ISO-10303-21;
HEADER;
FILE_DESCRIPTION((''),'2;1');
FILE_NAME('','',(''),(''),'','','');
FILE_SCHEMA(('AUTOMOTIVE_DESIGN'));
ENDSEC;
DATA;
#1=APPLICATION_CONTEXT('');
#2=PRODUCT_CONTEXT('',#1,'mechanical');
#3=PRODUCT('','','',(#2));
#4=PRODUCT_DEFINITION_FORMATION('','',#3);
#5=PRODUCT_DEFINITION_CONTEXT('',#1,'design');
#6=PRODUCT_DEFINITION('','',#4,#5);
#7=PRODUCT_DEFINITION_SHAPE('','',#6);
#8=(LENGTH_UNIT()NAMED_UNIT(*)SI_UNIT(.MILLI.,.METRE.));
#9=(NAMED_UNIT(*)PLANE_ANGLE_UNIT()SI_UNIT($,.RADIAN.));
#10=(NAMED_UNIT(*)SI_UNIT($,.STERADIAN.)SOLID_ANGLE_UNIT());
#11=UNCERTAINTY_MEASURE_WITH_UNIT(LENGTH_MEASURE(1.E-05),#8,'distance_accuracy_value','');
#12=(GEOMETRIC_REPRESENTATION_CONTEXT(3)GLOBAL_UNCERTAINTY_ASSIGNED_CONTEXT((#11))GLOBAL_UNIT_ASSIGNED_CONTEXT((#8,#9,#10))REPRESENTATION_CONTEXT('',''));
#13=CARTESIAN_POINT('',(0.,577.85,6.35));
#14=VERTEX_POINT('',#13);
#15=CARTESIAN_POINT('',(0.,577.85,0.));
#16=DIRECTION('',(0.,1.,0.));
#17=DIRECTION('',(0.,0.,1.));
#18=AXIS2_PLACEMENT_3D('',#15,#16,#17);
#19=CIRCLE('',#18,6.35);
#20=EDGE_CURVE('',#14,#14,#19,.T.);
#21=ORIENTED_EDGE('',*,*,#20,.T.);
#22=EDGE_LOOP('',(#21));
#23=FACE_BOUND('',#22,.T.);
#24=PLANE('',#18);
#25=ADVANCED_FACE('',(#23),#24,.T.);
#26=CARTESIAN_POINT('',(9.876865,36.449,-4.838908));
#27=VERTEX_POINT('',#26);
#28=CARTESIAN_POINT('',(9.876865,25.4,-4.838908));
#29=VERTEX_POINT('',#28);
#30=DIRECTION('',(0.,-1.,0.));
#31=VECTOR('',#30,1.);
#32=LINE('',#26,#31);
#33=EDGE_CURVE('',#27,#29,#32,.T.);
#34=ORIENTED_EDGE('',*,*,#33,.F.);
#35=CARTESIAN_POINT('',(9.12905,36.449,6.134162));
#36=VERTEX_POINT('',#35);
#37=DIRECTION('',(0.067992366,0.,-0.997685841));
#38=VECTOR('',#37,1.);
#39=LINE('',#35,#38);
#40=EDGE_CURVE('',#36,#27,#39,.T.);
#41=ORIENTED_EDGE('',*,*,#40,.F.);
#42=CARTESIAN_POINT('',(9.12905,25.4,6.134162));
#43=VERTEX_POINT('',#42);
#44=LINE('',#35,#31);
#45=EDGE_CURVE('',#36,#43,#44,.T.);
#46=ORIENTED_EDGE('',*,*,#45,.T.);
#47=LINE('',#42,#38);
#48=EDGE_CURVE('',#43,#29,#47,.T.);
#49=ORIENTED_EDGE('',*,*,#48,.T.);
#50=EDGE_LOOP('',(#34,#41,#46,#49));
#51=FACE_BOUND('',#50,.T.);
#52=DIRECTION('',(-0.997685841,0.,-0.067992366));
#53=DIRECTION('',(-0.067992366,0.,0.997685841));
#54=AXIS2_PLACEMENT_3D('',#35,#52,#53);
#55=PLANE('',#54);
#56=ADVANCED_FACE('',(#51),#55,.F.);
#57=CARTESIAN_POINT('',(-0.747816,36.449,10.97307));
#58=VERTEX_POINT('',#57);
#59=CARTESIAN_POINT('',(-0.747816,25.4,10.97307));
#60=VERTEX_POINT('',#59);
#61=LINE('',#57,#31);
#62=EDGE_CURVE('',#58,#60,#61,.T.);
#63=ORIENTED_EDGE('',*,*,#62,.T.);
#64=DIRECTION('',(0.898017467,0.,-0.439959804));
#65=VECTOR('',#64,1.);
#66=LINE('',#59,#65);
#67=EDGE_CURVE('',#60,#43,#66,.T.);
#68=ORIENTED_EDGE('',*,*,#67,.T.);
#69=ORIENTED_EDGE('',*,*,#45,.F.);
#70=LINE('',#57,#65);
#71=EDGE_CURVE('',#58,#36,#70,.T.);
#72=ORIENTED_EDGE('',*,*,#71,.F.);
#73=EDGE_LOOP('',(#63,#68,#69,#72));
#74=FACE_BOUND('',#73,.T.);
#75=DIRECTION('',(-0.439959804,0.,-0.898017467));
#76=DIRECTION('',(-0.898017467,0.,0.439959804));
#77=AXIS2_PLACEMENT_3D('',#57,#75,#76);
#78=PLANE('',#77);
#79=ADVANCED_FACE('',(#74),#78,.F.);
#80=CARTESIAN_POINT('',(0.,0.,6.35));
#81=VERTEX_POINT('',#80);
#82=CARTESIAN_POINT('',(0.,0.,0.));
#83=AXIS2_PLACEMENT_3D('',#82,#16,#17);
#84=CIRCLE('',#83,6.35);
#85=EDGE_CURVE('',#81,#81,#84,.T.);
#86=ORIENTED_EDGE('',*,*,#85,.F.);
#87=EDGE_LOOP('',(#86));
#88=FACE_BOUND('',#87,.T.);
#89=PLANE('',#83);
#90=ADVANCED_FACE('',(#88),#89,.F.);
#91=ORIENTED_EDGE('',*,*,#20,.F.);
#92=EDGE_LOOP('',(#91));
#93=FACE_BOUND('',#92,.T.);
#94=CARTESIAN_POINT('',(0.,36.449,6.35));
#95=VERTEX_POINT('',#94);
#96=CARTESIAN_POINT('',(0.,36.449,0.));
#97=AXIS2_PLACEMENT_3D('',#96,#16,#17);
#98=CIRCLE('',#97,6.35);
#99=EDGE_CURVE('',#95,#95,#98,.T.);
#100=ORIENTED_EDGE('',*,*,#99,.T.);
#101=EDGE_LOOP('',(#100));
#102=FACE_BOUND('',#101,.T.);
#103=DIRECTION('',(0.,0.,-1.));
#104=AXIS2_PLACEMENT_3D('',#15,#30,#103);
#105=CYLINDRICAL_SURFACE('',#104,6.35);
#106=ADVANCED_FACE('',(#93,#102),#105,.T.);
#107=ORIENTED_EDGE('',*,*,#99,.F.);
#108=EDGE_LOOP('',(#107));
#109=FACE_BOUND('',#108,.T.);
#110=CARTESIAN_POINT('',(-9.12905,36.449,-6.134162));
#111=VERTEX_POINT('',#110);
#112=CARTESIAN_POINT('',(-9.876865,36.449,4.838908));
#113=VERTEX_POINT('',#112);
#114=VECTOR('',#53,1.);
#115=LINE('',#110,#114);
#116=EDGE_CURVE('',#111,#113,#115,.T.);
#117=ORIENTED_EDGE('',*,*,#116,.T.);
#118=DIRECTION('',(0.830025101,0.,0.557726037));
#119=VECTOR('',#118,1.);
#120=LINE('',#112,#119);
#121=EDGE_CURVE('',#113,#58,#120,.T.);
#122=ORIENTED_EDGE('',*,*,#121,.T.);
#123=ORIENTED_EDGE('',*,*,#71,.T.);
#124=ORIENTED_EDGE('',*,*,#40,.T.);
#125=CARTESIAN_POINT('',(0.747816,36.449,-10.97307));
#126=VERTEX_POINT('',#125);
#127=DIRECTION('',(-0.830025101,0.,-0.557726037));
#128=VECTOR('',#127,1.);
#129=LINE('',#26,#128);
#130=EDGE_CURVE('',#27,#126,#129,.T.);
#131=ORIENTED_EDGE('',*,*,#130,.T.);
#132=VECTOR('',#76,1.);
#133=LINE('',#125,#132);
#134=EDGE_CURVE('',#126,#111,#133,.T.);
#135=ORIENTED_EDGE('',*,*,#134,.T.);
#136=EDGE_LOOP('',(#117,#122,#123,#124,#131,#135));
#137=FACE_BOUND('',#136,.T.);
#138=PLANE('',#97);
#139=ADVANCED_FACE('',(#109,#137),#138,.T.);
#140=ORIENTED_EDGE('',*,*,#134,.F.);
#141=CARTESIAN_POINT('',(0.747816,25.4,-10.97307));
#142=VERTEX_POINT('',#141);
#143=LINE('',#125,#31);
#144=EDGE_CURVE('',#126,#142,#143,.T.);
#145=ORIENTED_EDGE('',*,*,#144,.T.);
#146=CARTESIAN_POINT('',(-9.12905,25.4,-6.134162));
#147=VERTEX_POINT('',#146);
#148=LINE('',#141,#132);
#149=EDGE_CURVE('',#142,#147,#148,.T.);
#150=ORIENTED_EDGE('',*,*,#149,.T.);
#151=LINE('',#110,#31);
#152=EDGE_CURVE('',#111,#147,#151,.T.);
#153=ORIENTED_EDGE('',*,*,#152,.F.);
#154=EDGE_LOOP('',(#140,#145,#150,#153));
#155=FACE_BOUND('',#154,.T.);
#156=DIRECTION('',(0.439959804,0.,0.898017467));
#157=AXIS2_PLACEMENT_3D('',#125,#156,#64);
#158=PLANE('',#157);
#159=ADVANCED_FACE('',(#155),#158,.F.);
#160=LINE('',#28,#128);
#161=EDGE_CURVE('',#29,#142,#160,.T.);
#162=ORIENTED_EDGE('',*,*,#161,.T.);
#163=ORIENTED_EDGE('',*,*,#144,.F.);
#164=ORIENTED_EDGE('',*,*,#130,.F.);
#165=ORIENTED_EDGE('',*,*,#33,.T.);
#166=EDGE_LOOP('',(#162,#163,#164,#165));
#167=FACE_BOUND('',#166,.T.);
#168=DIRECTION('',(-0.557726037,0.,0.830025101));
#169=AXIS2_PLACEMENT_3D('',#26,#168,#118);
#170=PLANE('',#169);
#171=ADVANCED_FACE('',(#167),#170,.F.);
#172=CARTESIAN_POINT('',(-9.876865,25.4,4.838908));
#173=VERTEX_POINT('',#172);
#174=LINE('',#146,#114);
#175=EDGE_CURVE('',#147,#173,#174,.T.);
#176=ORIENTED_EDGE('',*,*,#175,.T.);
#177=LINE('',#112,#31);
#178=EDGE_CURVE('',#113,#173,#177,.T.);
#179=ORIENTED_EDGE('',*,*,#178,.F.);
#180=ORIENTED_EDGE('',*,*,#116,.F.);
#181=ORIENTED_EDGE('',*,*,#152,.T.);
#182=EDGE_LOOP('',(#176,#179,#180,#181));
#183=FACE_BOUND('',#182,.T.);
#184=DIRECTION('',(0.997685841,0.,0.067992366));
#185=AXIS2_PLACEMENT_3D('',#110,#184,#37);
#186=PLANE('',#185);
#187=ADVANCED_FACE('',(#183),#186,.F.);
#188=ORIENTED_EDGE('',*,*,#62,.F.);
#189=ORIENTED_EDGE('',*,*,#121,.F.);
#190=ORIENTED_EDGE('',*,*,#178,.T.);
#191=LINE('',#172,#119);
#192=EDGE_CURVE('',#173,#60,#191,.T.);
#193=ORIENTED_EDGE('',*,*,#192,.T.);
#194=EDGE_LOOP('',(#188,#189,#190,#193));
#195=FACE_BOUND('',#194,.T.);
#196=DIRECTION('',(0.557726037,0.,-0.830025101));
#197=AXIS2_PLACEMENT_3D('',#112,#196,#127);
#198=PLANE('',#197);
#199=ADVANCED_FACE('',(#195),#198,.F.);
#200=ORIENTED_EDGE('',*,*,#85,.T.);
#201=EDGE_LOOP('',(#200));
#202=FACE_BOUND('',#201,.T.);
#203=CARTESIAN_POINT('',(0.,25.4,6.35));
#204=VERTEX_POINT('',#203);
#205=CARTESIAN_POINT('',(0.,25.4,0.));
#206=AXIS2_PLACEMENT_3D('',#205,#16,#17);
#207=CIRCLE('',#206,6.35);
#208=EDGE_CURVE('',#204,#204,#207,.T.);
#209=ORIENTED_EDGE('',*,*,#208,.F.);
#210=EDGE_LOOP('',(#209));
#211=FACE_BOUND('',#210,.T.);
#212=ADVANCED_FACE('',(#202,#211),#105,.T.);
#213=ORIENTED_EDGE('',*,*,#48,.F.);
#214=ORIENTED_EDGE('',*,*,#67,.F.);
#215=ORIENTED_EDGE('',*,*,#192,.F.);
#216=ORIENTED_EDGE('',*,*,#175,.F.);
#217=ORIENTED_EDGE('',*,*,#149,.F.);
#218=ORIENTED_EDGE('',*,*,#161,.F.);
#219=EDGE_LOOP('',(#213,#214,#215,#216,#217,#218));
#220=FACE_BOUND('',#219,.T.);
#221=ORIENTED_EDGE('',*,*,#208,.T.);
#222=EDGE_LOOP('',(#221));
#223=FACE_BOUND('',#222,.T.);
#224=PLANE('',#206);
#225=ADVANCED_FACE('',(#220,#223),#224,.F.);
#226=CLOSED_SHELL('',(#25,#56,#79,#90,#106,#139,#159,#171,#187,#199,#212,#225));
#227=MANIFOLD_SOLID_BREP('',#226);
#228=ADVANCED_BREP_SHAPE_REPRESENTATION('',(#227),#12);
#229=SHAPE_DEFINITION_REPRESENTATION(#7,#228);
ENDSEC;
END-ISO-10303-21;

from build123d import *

# Parameters (mm, degrees)
SKETCH1_R           = 6.35
BOSS_EXTRUDE1_DEPTH = 577.85
BOSS_EXTRUDE2_START = 25.4
BOSS_EXTRUDE2_DEPTH = 11.049


with BuildPart() as part:
    # Sketch1 → Boss-Extrude1 (new body)
    with BuildSketch(Plane(origin=(0, 0, 0), x_dir=(1, 0, 0), z_dir=(0, 1, 0))):
        Circle(SKETCH1_R)
    extrude(amount=BOSS_EXTRUDE1_DEPTH)

    # Sketch3 → Boss-Extrude2 (add)
    with BuildSketch(Plane(origin=(0, 0, 0), x_dir=(1, 0, 0), z_dir=(0, 1, 0)).offset(BOSS_EXTRUDE2_START)):
        Polygon((9.876865428, 4.838907863), (0.747815578, 10.973070302), (-9.129049851, 6.134162439), (-9.876865428, -4.838907863), (-0.747815578, -10.973070302), (9.129049851, -6.134162439), align=None)
    extrude(amount=BOSS_EXTRUDE2_DEPTH)


solid = part.part
